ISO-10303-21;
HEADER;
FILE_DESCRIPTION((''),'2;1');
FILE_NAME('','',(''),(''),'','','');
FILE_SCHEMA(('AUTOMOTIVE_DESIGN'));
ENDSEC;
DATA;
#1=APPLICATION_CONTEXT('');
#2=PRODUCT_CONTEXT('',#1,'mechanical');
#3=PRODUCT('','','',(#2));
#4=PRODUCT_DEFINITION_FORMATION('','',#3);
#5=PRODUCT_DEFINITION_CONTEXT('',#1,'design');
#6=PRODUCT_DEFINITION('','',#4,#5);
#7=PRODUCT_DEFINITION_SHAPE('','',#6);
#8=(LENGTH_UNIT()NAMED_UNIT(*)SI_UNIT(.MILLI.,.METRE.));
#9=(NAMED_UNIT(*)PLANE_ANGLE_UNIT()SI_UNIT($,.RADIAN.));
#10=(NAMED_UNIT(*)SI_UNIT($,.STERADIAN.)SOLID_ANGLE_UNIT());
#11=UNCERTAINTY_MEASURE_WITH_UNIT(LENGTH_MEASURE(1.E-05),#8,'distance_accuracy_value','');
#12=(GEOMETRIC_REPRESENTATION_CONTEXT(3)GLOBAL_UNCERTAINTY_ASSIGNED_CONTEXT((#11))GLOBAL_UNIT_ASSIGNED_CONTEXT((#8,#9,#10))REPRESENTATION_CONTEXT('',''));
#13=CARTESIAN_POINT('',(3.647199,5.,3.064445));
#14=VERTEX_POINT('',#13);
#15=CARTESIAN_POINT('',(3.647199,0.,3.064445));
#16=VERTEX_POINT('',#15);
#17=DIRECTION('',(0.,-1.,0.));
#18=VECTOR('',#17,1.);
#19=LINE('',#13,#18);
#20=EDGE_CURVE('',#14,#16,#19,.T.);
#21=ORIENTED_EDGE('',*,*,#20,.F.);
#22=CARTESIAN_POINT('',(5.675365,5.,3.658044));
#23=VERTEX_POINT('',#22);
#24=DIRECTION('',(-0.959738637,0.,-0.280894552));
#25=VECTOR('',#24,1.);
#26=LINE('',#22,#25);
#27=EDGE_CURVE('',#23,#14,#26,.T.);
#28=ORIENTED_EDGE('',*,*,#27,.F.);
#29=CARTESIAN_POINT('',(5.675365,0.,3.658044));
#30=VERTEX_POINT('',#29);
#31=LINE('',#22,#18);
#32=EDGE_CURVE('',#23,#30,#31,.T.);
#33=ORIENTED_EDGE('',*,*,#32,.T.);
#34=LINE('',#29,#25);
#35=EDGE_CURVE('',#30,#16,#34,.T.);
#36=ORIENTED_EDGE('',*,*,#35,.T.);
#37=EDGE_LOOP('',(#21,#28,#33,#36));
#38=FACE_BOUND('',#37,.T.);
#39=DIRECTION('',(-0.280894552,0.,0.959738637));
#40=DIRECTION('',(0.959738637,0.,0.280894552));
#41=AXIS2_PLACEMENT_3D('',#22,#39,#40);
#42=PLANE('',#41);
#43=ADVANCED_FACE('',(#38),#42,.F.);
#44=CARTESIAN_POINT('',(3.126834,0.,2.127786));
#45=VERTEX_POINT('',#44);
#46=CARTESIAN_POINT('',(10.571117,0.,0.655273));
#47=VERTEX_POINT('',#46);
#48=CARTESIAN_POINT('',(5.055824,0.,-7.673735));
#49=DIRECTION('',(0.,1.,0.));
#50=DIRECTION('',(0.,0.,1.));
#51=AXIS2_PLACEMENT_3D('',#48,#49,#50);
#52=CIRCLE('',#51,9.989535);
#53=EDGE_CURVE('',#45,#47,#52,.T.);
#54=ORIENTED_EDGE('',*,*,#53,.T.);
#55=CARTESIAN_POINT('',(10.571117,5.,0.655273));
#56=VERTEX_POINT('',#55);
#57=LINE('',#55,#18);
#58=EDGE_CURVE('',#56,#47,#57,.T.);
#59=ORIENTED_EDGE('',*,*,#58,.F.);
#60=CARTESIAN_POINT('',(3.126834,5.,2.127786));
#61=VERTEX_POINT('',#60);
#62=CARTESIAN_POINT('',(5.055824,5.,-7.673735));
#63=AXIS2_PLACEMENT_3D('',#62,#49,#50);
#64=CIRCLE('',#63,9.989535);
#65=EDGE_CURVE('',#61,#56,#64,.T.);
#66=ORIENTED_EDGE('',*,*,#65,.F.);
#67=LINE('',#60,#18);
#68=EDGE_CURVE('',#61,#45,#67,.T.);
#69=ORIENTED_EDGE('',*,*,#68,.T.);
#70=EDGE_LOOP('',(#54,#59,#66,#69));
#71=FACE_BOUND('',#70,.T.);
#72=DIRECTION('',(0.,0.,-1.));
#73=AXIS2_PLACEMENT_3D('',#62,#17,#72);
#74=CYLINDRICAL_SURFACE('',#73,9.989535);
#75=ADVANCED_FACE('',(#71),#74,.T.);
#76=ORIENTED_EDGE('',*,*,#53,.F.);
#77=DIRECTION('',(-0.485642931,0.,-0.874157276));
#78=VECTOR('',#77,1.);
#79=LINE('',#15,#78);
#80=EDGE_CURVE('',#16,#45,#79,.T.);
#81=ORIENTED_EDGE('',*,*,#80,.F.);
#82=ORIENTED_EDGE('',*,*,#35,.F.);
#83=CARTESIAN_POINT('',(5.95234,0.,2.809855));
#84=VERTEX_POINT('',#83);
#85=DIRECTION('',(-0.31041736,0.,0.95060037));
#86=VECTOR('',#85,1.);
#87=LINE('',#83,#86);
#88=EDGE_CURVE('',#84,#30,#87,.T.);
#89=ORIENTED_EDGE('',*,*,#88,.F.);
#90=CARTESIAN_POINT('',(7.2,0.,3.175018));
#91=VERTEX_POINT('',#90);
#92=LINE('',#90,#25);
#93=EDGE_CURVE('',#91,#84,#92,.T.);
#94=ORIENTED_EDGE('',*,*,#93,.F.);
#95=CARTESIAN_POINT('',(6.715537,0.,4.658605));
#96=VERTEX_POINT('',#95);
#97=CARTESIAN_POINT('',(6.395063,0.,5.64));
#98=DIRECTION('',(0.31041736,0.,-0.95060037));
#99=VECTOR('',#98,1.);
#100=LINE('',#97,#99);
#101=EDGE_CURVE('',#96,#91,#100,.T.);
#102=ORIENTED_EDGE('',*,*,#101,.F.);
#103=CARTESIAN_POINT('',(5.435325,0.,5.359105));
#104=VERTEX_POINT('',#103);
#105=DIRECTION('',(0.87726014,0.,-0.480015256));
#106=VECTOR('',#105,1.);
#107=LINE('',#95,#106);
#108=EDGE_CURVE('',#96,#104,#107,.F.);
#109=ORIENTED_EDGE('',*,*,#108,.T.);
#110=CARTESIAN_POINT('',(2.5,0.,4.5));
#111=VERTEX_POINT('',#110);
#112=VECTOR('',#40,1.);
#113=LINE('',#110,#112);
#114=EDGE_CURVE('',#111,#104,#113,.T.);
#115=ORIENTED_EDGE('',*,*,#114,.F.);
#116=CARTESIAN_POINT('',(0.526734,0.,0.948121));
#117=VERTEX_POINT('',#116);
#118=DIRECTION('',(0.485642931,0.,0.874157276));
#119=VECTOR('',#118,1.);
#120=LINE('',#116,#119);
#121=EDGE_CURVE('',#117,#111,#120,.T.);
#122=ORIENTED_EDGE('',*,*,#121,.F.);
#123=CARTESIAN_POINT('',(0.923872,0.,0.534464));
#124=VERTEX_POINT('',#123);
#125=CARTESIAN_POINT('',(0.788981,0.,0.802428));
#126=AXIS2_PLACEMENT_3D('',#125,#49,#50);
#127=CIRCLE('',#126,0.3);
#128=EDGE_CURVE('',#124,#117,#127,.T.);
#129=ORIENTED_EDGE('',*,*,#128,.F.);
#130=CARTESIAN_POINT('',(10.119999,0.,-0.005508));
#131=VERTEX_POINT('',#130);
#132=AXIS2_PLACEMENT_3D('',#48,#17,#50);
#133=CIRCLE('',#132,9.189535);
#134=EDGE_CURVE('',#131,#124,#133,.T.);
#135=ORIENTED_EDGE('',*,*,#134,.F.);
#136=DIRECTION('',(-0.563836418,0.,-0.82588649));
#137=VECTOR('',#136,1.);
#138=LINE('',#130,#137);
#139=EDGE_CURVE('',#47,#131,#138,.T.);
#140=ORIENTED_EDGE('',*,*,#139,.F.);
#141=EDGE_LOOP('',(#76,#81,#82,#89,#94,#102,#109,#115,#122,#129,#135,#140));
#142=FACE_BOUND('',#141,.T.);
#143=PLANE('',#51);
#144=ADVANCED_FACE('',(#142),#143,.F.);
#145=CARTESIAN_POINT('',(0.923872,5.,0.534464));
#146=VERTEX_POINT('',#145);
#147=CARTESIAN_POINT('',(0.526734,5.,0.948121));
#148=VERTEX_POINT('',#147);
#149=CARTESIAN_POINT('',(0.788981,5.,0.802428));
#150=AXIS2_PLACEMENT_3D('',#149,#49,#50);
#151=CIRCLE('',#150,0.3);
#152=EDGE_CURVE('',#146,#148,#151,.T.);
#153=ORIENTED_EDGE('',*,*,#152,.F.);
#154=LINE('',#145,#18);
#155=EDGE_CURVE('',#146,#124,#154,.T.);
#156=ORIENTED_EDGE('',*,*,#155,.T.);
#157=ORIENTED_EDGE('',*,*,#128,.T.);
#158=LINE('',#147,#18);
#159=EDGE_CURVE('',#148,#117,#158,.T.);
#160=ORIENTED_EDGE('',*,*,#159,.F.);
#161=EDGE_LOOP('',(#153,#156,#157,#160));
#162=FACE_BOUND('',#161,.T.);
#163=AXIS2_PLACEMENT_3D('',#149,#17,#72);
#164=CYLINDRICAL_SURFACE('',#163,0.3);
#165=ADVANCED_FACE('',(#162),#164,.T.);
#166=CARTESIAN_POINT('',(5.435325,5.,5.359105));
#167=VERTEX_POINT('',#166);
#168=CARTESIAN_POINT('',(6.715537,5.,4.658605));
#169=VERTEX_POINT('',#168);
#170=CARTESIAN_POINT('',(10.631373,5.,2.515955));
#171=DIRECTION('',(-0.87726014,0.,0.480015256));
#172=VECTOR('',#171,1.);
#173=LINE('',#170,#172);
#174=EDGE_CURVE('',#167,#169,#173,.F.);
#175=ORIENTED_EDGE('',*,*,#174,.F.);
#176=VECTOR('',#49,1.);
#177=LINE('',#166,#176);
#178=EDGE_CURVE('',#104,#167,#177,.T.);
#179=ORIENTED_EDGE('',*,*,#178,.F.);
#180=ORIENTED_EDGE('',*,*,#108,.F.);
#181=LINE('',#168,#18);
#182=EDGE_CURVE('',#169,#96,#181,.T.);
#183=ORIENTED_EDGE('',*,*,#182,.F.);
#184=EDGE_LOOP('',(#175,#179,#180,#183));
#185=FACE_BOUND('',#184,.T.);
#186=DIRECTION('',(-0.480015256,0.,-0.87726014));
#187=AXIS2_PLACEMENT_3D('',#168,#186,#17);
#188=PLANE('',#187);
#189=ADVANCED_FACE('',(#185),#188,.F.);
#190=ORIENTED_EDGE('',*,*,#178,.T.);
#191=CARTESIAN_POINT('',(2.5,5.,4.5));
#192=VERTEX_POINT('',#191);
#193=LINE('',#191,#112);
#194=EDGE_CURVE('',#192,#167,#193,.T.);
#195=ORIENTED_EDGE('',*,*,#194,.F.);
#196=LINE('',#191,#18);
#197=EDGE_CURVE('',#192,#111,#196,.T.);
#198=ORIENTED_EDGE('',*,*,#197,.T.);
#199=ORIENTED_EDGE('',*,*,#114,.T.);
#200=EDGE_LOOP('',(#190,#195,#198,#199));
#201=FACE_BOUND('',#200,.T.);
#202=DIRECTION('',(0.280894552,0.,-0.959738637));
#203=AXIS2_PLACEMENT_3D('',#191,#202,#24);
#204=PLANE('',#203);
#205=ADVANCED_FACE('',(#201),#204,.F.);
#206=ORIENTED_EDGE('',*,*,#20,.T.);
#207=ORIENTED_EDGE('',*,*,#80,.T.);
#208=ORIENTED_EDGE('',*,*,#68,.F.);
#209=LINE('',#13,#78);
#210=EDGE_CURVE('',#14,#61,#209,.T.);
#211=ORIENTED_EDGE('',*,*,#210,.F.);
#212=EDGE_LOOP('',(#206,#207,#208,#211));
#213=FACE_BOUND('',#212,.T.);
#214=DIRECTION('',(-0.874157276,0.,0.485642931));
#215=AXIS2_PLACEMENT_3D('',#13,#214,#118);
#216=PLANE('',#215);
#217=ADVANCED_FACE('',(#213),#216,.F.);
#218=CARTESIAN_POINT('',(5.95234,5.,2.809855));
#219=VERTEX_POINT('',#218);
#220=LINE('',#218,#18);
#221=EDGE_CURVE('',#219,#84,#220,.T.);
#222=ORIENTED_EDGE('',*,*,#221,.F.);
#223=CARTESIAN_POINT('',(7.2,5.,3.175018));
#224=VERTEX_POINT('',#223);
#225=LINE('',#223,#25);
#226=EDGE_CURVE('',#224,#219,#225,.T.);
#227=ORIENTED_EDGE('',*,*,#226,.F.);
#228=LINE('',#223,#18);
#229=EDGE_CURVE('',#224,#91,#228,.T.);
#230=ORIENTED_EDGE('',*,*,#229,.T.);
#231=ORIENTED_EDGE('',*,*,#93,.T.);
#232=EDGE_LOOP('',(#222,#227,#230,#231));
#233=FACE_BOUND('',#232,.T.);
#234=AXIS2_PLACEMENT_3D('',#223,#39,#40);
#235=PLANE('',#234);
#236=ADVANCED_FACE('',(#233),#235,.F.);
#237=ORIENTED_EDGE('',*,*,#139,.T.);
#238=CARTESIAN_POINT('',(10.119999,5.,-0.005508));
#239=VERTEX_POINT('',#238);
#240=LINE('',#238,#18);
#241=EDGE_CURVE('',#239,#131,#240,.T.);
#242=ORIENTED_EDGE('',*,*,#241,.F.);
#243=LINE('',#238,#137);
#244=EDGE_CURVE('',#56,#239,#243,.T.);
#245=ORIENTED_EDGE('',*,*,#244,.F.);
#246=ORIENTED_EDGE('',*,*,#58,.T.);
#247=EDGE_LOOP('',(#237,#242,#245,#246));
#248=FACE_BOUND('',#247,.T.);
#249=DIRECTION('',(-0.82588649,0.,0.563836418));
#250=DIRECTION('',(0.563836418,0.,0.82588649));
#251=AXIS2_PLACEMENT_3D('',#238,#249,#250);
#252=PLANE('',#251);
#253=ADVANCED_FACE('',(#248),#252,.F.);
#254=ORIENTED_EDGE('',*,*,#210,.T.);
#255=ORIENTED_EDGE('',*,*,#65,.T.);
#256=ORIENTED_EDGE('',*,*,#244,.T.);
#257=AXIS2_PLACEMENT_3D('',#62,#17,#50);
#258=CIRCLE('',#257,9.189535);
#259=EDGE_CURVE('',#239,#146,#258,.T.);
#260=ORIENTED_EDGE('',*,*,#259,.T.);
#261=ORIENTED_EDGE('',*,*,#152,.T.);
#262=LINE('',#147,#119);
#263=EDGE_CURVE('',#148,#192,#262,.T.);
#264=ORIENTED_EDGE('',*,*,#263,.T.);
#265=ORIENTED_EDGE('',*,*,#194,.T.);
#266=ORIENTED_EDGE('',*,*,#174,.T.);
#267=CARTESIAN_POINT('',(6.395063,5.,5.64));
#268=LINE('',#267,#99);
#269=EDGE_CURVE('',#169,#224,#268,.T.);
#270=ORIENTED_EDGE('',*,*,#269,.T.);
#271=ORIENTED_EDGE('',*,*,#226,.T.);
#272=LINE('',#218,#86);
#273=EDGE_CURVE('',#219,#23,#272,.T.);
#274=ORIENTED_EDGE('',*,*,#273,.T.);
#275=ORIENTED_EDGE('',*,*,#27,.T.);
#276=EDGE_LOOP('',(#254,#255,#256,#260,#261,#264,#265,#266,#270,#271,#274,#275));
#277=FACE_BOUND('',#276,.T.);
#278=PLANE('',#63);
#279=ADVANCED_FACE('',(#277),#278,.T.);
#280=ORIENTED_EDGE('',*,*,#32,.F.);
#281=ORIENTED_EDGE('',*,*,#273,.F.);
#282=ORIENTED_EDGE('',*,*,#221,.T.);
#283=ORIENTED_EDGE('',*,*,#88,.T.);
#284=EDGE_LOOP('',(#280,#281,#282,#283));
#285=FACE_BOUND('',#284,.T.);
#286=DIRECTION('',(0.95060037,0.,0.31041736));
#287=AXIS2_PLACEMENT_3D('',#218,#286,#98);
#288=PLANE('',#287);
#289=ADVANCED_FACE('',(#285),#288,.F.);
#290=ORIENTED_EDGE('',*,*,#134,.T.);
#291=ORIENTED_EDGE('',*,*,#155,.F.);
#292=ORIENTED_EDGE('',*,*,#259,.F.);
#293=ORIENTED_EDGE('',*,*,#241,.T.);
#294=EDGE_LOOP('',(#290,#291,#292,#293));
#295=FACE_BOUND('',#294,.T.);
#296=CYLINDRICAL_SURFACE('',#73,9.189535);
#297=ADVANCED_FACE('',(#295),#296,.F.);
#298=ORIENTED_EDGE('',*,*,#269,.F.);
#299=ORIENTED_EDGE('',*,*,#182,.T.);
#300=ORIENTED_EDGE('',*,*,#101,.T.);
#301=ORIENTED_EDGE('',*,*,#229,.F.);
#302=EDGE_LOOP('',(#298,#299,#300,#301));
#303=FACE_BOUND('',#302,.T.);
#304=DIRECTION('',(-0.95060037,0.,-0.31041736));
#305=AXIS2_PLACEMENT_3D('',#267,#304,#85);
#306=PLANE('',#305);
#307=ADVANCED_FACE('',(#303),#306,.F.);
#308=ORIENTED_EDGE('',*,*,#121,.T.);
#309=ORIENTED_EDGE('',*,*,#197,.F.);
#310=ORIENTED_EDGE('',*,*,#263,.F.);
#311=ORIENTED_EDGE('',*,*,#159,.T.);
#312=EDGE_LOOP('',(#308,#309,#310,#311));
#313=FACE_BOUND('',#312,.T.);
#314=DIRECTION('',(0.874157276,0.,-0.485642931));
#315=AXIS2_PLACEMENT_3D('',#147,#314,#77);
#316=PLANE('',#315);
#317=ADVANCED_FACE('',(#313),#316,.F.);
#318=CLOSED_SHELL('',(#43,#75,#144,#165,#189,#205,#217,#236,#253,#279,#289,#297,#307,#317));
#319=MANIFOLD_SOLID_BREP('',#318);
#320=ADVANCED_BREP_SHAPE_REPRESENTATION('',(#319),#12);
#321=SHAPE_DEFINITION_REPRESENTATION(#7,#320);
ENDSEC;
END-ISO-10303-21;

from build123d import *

# Parameters (mm, degrees)
EXTRUDE_1_DEPTH = 5
CHAMFER_1_SIZE  = 1
CHAMFER_1_SIZE2 = 1.032395136


with BuildPart() as part:
    # Эскиз1 → Бобышка-Вытянуть1 (new body)
    with BuildSketch(Plane(origin=(0, 0, 0), x_dir=(1, 0, 0), z_dir=(0, 1, 0))):
        with BuildLine():
            Line((2.5, -4.5), (6.395063253, -5.64))
            Line((6.395063253, -5.64), (7.2, -3.175018115))
            Line((7.2, -3.175018115), (5.952339772, -2.809855198))
            Line((5.952339772, -2.809855198), (5.675364666, -3.658044352))
            Line((5.675364666, -3.658044352), (3.647199382, -3.06444464))
            Line((3.647199382, -3.06444464), (3.126833621, -2.12778627))
            ThreePointArc((3.126833621, -2.12778627), (6.994242164, -2.125926125), (10.57111662, -0.655272725))
            Line((10.57111662, -0.655272725), (10.119998501, 0.005508219))
            ThreePointArc((10.119998501, 0.005508219), (5.594481852, -1.5), (0.923871938, -0.534464416))
            ThreePointArc((0.923871938, -0.534464416), (0.572572084, -0.594660683), (0.526733755, -0.948120759))
            Line((0.526733755, -0.948120759), (2.5, -4.5))
        make_face()
    extrude(amount=EXTRUDE_1_DEPTH)

    # Фаска1
    chamfer_1_edges = [part.edges().sort_by_distance(p)[0] for p in [
        (6.395063253, 2.5, 5.64),
    ]]
    chamfer_1_side = [part.faces().sort_by_distance(p)[0] for p in [
        (4.447531626, 2.5, 5.07),
    ]]
    chamfer(chamfer_1_edges, length=CHAMFER_1_SIZE, length2=CHAMFER_1_SIZE2, reference=chamfer_1_side[0])


solid = part.part
